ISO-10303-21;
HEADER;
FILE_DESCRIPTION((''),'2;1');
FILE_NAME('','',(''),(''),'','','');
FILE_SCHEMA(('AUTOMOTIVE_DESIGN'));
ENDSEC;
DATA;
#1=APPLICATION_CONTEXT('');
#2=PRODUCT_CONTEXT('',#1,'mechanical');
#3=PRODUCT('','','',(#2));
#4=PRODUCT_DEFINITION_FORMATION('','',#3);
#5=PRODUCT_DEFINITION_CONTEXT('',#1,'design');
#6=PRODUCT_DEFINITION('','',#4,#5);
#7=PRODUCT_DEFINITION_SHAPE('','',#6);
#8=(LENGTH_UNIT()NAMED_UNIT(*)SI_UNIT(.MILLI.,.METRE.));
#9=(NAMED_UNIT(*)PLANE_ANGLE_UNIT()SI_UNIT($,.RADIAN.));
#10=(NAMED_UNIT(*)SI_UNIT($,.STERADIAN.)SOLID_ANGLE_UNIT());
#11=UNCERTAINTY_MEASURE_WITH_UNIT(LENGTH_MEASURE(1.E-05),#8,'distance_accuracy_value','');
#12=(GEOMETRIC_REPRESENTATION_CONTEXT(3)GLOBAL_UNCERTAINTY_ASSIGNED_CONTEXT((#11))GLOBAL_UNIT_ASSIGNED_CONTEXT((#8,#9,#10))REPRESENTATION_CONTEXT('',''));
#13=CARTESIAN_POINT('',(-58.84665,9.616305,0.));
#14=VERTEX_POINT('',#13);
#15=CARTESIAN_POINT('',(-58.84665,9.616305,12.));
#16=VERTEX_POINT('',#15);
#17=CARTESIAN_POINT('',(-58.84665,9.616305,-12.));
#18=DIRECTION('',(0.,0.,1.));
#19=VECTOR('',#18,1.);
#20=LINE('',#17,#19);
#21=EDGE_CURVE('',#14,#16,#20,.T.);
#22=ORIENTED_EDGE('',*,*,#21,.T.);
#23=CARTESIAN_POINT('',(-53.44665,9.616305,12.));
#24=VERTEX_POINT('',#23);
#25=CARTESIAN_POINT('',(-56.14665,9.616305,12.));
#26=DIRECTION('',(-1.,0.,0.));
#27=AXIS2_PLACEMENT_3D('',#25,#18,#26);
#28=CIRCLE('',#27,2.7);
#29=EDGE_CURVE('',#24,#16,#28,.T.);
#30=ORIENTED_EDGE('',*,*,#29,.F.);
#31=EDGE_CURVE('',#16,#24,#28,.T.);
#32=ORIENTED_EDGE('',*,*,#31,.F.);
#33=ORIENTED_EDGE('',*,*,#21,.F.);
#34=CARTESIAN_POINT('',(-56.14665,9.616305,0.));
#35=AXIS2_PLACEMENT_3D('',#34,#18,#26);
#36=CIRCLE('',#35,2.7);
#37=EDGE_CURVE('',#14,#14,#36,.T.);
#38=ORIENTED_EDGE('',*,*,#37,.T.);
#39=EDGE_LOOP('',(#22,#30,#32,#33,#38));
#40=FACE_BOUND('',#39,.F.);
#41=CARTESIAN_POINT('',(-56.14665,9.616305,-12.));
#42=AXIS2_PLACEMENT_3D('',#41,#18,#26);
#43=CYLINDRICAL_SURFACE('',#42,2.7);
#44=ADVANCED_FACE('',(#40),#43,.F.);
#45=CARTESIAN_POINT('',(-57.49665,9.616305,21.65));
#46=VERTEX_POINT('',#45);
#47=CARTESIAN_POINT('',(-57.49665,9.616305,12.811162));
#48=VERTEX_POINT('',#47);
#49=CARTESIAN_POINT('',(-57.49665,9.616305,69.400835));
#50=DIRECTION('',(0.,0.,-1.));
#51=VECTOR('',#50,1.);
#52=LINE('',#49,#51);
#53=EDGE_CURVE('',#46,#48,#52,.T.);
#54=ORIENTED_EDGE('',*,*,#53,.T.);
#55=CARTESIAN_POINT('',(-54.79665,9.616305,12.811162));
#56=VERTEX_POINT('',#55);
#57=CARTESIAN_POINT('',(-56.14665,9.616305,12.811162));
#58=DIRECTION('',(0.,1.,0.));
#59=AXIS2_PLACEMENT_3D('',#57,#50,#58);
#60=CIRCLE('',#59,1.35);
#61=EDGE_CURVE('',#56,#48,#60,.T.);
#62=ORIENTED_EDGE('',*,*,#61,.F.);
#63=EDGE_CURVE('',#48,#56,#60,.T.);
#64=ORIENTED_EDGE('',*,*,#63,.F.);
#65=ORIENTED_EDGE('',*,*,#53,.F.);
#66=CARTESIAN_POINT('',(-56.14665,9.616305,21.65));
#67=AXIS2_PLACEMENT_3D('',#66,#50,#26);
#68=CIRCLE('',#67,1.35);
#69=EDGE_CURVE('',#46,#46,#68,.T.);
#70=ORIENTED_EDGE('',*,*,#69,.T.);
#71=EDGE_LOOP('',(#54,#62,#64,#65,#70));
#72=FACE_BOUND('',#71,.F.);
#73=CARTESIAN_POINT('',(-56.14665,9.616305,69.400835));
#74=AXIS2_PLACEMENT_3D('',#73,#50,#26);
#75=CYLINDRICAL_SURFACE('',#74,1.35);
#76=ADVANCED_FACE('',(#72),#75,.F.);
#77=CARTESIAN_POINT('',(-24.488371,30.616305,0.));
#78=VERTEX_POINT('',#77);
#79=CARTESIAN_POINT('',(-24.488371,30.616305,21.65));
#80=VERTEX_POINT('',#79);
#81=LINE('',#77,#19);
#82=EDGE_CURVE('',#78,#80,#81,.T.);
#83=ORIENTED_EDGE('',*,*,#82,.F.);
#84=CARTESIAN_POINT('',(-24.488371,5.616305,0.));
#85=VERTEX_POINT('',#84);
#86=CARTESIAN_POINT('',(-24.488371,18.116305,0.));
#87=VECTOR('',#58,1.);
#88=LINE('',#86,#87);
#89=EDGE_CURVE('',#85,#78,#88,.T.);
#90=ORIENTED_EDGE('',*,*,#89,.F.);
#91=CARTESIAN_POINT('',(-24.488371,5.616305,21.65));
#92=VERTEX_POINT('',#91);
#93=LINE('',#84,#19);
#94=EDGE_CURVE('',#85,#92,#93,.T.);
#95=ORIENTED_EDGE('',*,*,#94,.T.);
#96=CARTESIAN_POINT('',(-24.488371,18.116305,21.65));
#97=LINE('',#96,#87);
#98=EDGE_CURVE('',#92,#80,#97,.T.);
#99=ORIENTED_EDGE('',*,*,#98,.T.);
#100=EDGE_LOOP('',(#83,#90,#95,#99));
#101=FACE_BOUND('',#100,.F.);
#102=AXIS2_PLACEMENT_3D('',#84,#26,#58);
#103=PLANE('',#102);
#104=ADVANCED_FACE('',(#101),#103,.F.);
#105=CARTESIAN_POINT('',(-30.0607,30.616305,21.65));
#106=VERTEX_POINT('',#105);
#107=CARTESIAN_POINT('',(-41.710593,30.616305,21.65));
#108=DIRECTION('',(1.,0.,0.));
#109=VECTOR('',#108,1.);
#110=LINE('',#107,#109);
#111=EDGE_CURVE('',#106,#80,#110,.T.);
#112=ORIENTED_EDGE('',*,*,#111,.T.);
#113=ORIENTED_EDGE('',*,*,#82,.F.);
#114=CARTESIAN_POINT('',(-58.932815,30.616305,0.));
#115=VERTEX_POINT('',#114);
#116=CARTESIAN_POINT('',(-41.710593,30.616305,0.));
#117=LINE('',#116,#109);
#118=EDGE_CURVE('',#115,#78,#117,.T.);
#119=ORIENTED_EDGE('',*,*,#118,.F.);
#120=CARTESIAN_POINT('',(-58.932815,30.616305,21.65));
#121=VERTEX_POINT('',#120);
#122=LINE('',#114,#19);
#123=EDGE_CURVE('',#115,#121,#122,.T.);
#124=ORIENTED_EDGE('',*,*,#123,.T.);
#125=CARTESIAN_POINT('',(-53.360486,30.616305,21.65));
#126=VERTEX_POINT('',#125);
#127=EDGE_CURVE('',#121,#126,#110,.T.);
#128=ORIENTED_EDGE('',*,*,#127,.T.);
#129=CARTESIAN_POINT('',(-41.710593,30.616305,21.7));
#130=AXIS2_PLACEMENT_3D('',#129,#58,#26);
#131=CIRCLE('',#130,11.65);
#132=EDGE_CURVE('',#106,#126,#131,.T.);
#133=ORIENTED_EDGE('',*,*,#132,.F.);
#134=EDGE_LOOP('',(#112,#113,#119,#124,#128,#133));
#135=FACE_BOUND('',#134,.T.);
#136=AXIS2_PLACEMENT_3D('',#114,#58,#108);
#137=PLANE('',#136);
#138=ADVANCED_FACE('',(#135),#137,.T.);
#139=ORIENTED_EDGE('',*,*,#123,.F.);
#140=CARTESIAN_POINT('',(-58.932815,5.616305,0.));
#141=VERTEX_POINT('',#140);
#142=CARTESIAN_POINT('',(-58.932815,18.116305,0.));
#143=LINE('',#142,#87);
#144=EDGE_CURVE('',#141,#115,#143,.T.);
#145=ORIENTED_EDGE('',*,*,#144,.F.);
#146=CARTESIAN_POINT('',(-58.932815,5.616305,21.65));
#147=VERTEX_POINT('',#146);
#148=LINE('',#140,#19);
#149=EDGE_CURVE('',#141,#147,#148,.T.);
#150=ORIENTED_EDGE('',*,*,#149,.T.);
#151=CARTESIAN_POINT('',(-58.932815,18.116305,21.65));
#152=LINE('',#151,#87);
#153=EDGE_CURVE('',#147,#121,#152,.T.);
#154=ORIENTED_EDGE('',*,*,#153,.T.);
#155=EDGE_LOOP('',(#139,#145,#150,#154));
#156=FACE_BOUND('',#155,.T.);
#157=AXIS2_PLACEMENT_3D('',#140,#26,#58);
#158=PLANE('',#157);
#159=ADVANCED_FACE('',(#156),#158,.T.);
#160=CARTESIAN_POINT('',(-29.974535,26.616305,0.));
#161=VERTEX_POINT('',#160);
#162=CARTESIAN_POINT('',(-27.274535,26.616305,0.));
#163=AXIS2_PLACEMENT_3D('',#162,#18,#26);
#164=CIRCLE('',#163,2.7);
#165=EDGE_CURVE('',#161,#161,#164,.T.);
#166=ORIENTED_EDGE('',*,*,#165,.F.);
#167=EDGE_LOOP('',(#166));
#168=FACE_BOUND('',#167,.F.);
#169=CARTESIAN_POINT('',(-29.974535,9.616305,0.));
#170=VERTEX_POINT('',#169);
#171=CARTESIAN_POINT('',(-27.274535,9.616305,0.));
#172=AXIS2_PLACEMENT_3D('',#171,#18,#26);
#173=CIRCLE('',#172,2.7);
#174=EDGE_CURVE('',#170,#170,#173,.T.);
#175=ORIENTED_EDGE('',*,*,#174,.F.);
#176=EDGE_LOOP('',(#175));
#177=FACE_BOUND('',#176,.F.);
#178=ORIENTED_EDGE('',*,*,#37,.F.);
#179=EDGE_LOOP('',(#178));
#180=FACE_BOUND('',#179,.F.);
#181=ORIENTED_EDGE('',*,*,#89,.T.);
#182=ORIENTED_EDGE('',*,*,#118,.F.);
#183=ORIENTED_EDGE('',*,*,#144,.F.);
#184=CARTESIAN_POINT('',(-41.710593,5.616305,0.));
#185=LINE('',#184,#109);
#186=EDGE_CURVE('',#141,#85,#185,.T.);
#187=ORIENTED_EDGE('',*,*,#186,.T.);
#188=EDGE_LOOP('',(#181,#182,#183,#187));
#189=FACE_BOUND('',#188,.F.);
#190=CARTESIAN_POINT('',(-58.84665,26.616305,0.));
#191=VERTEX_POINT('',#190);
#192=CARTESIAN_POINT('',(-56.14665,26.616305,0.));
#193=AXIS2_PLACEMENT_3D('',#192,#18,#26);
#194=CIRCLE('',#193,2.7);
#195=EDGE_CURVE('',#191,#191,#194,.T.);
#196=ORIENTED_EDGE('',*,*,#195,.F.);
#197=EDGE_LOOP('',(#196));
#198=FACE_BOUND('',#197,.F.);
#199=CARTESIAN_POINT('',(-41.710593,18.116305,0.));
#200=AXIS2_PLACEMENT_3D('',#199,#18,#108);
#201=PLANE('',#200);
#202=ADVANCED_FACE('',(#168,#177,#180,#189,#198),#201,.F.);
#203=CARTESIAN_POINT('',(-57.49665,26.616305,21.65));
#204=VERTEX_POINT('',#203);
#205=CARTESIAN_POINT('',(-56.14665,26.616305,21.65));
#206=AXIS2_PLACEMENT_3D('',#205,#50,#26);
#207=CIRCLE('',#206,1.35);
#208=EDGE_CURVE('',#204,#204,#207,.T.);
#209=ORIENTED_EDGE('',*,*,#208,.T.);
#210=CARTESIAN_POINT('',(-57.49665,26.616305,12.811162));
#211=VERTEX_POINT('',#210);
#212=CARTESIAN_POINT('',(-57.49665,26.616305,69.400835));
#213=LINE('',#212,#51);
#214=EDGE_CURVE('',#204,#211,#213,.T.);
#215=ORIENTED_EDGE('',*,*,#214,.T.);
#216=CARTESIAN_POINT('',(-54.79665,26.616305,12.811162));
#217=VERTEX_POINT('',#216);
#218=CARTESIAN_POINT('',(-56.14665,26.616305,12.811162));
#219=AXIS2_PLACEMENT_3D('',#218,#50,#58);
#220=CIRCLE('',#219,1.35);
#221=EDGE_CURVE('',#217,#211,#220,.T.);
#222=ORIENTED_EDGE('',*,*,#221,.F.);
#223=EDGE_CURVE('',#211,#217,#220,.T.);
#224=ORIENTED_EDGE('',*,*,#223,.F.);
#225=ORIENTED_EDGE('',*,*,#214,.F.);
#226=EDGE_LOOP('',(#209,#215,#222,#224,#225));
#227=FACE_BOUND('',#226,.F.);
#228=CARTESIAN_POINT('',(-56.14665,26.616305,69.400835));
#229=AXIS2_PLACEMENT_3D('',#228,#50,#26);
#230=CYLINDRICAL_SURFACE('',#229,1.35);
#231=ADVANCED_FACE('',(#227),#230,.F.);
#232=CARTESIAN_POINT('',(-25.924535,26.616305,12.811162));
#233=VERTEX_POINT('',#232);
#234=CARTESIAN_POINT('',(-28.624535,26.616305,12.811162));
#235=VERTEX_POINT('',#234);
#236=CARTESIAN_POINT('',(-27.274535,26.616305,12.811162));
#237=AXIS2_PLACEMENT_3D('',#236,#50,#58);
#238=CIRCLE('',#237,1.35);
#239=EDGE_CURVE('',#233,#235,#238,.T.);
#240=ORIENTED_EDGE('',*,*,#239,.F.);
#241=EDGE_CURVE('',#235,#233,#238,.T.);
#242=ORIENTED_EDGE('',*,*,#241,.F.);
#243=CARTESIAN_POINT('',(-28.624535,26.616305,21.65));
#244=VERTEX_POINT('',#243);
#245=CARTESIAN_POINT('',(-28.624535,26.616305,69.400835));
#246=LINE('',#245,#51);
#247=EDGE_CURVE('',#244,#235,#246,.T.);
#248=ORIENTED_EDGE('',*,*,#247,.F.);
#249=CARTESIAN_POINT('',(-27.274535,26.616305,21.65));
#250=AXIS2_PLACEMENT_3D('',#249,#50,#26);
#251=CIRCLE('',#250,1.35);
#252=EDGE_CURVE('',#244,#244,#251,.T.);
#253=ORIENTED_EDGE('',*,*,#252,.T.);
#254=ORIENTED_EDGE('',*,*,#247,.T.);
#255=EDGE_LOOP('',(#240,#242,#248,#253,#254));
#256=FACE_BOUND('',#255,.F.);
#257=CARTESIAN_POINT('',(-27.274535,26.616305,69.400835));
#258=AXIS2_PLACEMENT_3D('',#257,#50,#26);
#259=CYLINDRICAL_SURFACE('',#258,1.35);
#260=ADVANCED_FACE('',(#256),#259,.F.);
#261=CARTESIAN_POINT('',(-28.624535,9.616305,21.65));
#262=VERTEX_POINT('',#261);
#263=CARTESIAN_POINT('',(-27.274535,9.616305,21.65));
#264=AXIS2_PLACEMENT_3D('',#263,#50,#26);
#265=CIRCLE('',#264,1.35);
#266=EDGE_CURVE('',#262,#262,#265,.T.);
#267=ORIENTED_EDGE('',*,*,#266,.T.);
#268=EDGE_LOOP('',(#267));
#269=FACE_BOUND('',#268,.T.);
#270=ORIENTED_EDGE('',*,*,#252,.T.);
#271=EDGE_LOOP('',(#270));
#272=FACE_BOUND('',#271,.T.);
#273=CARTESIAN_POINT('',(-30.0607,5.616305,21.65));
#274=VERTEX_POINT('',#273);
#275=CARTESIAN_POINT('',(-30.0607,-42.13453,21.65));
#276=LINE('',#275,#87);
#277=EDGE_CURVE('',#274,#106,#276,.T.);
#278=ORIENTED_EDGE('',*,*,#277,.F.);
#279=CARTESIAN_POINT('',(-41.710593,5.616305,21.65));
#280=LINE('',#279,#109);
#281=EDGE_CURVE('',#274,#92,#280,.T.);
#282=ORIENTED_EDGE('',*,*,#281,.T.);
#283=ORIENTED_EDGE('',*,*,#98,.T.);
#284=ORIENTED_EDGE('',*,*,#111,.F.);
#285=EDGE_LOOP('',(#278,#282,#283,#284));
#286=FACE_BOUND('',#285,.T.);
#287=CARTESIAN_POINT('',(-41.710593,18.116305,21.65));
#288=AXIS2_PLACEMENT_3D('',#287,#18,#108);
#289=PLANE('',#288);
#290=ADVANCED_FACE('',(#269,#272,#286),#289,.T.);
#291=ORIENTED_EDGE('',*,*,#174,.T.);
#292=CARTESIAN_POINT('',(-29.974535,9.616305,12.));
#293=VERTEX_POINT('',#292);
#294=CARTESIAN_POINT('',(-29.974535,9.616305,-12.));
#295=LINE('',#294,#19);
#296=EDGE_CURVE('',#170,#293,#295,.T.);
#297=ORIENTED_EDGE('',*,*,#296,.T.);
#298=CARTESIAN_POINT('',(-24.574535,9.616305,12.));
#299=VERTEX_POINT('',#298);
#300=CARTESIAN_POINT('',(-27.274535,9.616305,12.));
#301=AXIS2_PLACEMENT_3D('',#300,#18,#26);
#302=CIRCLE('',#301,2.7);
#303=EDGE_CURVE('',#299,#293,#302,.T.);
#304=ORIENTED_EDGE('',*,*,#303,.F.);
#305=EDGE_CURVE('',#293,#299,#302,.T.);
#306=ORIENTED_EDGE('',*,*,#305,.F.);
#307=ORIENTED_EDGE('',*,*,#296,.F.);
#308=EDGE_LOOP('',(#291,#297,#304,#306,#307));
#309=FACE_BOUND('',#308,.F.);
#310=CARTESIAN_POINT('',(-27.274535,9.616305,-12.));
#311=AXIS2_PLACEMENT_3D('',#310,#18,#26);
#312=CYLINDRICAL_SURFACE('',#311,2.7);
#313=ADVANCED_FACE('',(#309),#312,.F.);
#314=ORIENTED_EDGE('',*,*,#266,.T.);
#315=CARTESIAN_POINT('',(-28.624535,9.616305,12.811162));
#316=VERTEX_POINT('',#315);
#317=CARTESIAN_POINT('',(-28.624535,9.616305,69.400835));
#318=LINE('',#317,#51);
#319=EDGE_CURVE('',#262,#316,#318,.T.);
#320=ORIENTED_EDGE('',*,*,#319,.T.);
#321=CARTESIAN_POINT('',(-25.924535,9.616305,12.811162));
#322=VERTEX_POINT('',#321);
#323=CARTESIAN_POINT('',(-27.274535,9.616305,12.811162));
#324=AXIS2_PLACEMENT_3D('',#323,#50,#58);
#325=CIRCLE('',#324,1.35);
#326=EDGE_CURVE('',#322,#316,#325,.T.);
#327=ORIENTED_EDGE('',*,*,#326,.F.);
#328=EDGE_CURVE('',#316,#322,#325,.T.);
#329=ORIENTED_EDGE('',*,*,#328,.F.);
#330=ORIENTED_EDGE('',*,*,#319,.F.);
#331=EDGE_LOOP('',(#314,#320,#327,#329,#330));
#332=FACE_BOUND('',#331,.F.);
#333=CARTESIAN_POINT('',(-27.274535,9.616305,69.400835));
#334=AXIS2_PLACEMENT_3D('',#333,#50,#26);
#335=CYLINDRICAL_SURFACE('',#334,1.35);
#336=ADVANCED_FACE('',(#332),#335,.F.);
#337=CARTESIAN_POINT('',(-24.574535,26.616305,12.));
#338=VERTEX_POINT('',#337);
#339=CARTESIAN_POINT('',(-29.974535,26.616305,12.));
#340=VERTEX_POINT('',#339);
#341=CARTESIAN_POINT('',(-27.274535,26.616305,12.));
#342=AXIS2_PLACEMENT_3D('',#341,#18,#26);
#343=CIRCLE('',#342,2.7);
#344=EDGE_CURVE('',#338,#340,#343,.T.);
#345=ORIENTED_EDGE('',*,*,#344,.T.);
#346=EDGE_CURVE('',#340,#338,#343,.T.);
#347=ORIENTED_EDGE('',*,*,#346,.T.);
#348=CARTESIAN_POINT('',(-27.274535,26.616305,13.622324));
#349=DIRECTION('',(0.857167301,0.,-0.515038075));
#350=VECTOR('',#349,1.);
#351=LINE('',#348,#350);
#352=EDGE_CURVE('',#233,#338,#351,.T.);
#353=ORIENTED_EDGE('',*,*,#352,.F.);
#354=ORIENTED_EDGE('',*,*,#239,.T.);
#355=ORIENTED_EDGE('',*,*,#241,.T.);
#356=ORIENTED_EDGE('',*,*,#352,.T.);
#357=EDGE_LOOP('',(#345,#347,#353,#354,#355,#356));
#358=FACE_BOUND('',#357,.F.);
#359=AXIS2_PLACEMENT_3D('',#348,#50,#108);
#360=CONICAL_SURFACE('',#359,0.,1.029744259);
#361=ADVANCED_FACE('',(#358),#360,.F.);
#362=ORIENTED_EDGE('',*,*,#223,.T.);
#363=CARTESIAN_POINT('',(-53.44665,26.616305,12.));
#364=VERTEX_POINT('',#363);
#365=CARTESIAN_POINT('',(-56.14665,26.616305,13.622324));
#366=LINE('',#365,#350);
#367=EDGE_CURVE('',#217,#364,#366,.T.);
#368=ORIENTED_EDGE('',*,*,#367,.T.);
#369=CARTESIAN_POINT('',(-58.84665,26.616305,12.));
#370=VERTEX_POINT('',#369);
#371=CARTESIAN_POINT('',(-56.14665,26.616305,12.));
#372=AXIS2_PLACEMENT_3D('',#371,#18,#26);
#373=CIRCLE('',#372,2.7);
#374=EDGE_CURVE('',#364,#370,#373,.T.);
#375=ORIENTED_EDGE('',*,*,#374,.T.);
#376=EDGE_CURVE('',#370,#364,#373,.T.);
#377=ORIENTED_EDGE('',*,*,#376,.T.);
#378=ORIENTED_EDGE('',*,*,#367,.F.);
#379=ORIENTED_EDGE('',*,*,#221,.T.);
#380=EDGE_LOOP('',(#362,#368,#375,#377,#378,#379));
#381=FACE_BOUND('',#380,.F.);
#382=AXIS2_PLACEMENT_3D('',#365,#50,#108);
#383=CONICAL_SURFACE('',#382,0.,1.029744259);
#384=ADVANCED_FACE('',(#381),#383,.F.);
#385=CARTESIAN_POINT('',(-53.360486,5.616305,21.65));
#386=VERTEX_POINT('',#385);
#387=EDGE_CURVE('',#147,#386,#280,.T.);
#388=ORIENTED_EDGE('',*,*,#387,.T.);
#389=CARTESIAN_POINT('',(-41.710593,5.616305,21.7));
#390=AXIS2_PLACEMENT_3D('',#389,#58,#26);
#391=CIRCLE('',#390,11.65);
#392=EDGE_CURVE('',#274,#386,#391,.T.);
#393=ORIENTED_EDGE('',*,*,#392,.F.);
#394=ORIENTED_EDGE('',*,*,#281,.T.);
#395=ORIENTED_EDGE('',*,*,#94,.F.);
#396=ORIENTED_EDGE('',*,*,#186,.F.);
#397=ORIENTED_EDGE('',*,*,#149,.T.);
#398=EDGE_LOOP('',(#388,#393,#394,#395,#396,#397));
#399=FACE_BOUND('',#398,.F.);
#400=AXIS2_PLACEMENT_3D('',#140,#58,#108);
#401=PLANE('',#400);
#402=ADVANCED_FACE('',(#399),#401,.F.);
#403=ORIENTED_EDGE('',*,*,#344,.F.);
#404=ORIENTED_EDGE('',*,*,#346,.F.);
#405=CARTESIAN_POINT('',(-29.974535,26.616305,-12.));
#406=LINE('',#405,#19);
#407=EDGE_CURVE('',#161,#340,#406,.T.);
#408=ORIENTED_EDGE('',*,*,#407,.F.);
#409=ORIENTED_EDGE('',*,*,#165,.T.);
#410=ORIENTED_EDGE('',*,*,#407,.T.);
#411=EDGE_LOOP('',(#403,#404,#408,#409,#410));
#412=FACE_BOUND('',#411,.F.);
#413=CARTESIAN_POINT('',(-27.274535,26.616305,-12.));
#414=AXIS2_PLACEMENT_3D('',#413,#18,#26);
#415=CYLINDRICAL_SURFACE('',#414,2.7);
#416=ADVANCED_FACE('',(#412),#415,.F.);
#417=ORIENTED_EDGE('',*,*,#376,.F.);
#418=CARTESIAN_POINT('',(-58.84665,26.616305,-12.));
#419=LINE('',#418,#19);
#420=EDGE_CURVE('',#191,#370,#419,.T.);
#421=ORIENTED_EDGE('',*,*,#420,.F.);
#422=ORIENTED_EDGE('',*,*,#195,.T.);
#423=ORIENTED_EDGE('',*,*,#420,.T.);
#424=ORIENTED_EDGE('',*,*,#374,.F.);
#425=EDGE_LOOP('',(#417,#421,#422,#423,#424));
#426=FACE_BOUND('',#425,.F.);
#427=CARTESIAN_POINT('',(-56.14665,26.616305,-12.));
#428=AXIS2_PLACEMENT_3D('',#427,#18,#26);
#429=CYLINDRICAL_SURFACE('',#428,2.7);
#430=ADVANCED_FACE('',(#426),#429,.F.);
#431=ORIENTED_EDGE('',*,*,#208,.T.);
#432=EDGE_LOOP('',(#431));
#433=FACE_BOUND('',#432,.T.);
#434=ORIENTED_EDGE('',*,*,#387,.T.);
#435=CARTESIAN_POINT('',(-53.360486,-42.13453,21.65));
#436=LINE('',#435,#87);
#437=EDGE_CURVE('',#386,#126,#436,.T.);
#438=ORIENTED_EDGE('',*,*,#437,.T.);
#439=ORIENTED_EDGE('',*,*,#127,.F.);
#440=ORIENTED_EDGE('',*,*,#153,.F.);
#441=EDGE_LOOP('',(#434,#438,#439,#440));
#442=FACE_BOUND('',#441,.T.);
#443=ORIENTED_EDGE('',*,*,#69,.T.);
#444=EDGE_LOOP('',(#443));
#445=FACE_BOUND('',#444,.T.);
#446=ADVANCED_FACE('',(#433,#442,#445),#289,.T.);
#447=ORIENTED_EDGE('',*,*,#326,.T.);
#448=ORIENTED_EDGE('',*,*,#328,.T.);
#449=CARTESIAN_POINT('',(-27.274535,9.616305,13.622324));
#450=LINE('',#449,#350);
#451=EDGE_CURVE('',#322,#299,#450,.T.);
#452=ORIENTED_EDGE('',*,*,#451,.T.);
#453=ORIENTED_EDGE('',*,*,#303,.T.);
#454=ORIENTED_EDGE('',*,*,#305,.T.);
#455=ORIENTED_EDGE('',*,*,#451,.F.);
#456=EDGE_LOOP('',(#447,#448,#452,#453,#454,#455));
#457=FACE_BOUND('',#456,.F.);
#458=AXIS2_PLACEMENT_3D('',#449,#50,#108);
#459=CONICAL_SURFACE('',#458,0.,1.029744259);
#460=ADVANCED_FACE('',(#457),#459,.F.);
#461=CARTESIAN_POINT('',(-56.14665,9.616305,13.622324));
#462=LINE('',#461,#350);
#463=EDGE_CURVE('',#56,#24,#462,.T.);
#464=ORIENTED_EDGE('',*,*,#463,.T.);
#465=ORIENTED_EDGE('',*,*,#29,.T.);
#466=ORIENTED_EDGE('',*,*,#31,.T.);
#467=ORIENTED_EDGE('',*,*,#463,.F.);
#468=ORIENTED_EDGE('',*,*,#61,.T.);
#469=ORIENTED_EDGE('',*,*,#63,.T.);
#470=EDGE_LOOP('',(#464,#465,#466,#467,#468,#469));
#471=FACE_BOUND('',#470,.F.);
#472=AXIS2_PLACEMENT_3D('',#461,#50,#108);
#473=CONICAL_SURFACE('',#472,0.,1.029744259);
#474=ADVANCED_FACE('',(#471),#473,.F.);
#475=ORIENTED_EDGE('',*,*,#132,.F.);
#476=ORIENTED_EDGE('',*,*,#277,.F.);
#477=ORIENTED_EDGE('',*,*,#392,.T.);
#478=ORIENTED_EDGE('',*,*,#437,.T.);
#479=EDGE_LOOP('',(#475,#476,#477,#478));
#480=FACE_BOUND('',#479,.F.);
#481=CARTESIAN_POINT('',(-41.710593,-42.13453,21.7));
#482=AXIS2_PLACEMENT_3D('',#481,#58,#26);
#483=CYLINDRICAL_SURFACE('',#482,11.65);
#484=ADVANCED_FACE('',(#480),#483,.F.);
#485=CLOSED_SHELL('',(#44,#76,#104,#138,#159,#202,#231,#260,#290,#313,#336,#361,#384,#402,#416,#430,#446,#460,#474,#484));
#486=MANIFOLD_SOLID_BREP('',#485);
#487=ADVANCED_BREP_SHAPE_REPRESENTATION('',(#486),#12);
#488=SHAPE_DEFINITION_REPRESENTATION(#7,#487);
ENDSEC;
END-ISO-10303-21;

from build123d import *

# Parameters (mm, degrees)
F0_W     = 34.4444442836
F0_H     = 25
F1_DEPTH = 21.65
F3_D     = 23.3
F5_D     = 2.7
F7_D     = 5.4
F7_DEPTH = 12
F7_TIP   = 1.6223236714


with BuildPart() as f1:
    # F0 (on Top) → F1 (new body)
    with BuildSketch(Plane.XY):
        with Locations((-41.7105928063, 18.1163050001)):
            Rectangle(F0_W, F0_H)
    extrude(amount=F1_DEPTH)

    # F3 (through all)
    with Locations(Plane.XZ.offset(-5.6163050001)):
        with Locations((-41.7105928063, 21.7)):
            Hole(F3_D / 2)

    # F5 (through all)
    with Locations(Plane.XY.offset(21.65)):
        with Locations((-56.1466502289, 26.6163050001), (-56.1466502289, 9.6163050001), (-27.2745353838, 9.6163050001), (-27.2745353838, 26.6163050001)):
            Hole(F5_D / 2)

    # F7
    with Locations(Plane(origin=(0, 0, 0), x_dir=(1, 0, 0), z_dir=(0, 0, -1))):
        with Locations((-56.1466502289, -9.6163050001), (-56.1466502289, -26.6163050001), (-27.2745353838, -26.6163050001), (-27.2745353838, -9.6163050001)):
            Hole(F7_D / 2, depth=F7_DEPTH)
            with Locations((0, 0, -(F7_DEPTH + F7_TIP / 2))):  # 118° drill point
                Cone(0, F7_D / 2, F7_TIP, mode=Mode.SUBTRACT)


solid = f1.part
